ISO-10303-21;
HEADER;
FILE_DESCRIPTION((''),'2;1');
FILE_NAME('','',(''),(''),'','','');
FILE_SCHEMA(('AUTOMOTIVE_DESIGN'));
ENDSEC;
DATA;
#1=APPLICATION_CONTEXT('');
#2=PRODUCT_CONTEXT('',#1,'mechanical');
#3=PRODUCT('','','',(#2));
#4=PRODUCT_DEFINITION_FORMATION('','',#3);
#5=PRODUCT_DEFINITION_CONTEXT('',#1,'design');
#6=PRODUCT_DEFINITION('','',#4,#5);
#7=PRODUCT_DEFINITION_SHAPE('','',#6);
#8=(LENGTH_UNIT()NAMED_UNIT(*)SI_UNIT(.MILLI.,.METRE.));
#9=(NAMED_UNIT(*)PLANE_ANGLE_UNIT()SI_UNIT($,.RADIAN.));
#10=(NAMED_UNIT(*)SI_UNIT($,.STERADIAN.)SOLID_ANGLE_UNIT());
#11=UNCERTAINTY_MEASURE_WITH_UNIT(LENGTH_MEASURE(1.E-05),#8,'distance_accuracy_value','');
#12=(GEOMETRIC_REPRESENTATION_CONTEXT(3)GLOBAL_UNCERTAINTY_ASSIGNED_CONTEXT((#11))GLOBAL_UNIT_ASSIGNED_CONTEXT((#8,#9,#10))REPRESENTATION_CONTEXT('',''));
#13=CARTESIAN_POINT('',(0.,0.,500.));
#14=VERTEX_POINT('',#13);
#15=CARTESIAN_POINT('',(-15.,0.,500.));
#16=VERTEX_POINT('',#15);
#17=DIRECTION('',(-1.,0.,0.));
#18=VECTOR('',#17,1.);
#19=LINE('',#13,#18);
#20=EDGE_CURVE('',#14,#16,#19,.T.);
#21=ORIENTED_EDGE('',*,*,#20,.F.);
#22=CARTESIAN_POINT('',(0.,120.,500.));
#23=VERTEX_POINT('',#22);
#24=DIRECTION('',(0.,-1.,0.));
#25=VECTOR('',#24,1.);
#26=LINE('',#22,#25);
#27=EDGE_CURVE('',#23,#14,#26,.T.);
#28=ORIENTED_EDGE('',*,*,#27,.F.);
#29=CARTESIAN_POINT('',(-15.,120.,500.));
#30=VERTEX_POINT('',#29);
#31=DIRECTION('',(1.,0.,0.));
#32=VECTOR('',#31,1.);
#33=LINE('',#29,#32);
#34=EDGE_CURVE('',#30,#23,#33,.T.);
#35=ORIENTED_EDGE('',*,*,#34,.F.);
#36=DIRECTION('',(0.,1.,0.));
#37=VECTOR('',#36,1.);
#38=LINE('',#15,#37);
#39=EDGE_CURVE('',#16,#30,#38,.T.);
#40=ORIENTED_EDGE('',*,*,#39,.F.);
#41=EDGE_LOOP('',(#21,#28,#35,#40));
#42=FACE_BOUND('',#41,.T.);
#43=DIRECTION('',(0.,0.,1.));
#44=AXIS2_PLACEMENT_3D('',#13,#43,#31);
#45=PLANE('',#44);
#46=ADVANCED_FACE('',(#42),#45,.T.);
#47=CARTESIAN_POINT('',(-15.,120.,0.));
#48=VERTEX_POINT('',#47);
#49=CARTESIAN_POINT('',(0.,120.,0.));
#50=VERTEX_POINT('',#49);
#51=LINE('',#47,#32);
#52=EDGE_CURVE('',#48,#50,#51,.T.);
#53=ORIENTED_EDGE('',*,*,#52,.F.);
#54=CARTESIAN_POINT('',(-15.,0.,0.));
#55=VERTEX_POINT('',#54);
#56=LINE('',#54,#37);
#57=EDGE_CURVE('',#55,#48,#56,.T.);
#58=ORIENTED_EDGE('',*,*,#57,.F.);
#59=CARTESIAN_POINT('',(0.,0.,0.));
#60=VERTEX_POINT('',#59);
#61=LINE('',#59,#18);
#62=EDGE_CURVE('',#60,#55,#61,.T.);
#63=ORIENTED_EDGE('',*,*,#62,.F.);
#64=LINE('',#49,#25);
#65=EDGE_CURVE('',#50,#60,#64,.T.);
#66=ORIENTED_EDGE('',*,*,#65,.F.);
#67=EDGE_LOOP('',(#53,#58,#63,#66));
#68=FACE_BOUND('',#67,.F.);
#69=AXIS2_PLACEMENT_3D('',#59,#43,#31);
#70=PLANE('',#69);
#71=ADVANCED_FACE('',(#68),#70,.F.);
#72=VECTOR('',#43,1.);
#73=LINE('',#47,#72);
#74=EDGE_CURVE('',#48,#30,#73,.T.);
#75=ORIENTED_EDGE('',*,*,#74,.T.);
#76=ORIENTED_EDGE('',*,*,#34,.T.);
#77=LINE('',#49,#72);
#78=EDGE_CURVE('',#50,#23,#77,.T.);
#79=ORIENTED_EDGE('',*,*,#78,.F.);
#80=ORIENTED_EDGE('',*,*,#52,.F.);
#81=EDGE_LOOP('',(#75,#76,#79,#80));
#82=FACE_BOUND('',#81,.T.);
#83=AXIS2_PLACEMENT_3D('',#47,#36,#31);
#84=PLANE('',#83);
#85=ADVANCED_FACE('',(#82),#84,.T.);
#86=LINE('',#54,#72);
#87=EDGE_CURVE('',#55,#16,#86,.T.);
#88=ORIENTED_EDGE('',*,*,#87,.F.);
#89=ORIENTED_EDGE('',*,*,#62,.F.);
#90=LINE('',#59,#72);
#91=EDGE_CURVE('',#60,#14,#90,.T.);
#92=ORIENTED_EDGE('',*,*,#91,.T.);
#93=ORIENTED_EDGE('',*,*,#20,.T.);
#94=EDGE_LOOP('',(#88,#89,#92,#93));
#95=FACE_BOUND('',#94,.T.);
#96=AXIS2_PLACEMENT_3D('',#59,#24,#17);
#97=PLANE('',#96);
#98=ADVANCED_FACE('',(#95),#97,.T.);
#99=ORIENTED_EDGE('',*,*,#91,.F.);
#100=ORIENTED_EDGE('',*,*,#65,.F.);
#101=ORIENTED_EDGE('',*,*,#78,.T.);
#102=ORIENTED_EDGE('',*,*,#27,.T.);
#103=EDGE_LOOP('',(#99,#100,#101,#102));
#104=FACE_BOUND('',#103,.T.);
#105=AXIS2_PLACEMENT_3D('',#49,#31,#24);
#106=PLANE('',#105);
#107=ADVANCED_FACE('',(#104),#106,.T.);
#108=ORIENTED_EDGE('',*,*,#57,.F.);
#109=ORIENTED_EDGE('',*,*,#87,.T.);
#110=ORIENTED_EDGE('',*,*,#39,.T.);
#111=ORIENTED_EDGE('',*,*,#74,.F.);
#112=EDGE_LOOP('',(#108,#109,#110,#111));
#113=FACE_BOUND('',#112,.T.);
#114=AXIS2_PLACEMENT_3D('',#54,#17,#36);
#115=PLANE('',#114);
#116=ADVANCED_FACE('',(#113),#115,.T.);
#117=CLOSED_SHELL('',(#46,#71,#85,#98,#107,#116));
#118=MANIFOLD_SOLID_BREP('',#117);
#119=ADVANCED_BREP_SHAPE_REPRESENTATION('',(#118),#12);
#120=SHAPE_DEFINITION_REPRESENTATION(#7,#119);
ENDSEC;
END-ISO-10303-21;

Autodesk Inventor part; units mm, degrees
ref_plane "YZ Plane" through (0, 0, 0) normal (1, 0, 0) x (0, 1, 0)
ref_plane "XZ Plane" through (0, 0, 0) normal (0, 1, 0) x (-1, 0, 0)
ref_plane "XY Plane" through (0, 0, 0) normal (0, 0, 1) x (1, 0, 0)
sketch "Sketch1" plane through (0, 0, 0) normal (0, 0, 1) x (1, 0, 0)
  line L0 (0, 0) -> (-15, 0)
  line L1 (-15, 0) -> (-15, 120)
  line L2 (-15, 120) -> (0, 120)
  line L3 (0, 120) -> (0, 0)
  dimension "d0" = 15
  dimension "d1" = 120
extrude "Extrusion1" add sketch "Sketch1" along normal blind 500
ref_plane "Work Plane1" through (0, 0, 250) normal (0, 0, -1) x (-1, 0, 0)
properties part number "MPX-rib3" material "Wood (Cherry)"
